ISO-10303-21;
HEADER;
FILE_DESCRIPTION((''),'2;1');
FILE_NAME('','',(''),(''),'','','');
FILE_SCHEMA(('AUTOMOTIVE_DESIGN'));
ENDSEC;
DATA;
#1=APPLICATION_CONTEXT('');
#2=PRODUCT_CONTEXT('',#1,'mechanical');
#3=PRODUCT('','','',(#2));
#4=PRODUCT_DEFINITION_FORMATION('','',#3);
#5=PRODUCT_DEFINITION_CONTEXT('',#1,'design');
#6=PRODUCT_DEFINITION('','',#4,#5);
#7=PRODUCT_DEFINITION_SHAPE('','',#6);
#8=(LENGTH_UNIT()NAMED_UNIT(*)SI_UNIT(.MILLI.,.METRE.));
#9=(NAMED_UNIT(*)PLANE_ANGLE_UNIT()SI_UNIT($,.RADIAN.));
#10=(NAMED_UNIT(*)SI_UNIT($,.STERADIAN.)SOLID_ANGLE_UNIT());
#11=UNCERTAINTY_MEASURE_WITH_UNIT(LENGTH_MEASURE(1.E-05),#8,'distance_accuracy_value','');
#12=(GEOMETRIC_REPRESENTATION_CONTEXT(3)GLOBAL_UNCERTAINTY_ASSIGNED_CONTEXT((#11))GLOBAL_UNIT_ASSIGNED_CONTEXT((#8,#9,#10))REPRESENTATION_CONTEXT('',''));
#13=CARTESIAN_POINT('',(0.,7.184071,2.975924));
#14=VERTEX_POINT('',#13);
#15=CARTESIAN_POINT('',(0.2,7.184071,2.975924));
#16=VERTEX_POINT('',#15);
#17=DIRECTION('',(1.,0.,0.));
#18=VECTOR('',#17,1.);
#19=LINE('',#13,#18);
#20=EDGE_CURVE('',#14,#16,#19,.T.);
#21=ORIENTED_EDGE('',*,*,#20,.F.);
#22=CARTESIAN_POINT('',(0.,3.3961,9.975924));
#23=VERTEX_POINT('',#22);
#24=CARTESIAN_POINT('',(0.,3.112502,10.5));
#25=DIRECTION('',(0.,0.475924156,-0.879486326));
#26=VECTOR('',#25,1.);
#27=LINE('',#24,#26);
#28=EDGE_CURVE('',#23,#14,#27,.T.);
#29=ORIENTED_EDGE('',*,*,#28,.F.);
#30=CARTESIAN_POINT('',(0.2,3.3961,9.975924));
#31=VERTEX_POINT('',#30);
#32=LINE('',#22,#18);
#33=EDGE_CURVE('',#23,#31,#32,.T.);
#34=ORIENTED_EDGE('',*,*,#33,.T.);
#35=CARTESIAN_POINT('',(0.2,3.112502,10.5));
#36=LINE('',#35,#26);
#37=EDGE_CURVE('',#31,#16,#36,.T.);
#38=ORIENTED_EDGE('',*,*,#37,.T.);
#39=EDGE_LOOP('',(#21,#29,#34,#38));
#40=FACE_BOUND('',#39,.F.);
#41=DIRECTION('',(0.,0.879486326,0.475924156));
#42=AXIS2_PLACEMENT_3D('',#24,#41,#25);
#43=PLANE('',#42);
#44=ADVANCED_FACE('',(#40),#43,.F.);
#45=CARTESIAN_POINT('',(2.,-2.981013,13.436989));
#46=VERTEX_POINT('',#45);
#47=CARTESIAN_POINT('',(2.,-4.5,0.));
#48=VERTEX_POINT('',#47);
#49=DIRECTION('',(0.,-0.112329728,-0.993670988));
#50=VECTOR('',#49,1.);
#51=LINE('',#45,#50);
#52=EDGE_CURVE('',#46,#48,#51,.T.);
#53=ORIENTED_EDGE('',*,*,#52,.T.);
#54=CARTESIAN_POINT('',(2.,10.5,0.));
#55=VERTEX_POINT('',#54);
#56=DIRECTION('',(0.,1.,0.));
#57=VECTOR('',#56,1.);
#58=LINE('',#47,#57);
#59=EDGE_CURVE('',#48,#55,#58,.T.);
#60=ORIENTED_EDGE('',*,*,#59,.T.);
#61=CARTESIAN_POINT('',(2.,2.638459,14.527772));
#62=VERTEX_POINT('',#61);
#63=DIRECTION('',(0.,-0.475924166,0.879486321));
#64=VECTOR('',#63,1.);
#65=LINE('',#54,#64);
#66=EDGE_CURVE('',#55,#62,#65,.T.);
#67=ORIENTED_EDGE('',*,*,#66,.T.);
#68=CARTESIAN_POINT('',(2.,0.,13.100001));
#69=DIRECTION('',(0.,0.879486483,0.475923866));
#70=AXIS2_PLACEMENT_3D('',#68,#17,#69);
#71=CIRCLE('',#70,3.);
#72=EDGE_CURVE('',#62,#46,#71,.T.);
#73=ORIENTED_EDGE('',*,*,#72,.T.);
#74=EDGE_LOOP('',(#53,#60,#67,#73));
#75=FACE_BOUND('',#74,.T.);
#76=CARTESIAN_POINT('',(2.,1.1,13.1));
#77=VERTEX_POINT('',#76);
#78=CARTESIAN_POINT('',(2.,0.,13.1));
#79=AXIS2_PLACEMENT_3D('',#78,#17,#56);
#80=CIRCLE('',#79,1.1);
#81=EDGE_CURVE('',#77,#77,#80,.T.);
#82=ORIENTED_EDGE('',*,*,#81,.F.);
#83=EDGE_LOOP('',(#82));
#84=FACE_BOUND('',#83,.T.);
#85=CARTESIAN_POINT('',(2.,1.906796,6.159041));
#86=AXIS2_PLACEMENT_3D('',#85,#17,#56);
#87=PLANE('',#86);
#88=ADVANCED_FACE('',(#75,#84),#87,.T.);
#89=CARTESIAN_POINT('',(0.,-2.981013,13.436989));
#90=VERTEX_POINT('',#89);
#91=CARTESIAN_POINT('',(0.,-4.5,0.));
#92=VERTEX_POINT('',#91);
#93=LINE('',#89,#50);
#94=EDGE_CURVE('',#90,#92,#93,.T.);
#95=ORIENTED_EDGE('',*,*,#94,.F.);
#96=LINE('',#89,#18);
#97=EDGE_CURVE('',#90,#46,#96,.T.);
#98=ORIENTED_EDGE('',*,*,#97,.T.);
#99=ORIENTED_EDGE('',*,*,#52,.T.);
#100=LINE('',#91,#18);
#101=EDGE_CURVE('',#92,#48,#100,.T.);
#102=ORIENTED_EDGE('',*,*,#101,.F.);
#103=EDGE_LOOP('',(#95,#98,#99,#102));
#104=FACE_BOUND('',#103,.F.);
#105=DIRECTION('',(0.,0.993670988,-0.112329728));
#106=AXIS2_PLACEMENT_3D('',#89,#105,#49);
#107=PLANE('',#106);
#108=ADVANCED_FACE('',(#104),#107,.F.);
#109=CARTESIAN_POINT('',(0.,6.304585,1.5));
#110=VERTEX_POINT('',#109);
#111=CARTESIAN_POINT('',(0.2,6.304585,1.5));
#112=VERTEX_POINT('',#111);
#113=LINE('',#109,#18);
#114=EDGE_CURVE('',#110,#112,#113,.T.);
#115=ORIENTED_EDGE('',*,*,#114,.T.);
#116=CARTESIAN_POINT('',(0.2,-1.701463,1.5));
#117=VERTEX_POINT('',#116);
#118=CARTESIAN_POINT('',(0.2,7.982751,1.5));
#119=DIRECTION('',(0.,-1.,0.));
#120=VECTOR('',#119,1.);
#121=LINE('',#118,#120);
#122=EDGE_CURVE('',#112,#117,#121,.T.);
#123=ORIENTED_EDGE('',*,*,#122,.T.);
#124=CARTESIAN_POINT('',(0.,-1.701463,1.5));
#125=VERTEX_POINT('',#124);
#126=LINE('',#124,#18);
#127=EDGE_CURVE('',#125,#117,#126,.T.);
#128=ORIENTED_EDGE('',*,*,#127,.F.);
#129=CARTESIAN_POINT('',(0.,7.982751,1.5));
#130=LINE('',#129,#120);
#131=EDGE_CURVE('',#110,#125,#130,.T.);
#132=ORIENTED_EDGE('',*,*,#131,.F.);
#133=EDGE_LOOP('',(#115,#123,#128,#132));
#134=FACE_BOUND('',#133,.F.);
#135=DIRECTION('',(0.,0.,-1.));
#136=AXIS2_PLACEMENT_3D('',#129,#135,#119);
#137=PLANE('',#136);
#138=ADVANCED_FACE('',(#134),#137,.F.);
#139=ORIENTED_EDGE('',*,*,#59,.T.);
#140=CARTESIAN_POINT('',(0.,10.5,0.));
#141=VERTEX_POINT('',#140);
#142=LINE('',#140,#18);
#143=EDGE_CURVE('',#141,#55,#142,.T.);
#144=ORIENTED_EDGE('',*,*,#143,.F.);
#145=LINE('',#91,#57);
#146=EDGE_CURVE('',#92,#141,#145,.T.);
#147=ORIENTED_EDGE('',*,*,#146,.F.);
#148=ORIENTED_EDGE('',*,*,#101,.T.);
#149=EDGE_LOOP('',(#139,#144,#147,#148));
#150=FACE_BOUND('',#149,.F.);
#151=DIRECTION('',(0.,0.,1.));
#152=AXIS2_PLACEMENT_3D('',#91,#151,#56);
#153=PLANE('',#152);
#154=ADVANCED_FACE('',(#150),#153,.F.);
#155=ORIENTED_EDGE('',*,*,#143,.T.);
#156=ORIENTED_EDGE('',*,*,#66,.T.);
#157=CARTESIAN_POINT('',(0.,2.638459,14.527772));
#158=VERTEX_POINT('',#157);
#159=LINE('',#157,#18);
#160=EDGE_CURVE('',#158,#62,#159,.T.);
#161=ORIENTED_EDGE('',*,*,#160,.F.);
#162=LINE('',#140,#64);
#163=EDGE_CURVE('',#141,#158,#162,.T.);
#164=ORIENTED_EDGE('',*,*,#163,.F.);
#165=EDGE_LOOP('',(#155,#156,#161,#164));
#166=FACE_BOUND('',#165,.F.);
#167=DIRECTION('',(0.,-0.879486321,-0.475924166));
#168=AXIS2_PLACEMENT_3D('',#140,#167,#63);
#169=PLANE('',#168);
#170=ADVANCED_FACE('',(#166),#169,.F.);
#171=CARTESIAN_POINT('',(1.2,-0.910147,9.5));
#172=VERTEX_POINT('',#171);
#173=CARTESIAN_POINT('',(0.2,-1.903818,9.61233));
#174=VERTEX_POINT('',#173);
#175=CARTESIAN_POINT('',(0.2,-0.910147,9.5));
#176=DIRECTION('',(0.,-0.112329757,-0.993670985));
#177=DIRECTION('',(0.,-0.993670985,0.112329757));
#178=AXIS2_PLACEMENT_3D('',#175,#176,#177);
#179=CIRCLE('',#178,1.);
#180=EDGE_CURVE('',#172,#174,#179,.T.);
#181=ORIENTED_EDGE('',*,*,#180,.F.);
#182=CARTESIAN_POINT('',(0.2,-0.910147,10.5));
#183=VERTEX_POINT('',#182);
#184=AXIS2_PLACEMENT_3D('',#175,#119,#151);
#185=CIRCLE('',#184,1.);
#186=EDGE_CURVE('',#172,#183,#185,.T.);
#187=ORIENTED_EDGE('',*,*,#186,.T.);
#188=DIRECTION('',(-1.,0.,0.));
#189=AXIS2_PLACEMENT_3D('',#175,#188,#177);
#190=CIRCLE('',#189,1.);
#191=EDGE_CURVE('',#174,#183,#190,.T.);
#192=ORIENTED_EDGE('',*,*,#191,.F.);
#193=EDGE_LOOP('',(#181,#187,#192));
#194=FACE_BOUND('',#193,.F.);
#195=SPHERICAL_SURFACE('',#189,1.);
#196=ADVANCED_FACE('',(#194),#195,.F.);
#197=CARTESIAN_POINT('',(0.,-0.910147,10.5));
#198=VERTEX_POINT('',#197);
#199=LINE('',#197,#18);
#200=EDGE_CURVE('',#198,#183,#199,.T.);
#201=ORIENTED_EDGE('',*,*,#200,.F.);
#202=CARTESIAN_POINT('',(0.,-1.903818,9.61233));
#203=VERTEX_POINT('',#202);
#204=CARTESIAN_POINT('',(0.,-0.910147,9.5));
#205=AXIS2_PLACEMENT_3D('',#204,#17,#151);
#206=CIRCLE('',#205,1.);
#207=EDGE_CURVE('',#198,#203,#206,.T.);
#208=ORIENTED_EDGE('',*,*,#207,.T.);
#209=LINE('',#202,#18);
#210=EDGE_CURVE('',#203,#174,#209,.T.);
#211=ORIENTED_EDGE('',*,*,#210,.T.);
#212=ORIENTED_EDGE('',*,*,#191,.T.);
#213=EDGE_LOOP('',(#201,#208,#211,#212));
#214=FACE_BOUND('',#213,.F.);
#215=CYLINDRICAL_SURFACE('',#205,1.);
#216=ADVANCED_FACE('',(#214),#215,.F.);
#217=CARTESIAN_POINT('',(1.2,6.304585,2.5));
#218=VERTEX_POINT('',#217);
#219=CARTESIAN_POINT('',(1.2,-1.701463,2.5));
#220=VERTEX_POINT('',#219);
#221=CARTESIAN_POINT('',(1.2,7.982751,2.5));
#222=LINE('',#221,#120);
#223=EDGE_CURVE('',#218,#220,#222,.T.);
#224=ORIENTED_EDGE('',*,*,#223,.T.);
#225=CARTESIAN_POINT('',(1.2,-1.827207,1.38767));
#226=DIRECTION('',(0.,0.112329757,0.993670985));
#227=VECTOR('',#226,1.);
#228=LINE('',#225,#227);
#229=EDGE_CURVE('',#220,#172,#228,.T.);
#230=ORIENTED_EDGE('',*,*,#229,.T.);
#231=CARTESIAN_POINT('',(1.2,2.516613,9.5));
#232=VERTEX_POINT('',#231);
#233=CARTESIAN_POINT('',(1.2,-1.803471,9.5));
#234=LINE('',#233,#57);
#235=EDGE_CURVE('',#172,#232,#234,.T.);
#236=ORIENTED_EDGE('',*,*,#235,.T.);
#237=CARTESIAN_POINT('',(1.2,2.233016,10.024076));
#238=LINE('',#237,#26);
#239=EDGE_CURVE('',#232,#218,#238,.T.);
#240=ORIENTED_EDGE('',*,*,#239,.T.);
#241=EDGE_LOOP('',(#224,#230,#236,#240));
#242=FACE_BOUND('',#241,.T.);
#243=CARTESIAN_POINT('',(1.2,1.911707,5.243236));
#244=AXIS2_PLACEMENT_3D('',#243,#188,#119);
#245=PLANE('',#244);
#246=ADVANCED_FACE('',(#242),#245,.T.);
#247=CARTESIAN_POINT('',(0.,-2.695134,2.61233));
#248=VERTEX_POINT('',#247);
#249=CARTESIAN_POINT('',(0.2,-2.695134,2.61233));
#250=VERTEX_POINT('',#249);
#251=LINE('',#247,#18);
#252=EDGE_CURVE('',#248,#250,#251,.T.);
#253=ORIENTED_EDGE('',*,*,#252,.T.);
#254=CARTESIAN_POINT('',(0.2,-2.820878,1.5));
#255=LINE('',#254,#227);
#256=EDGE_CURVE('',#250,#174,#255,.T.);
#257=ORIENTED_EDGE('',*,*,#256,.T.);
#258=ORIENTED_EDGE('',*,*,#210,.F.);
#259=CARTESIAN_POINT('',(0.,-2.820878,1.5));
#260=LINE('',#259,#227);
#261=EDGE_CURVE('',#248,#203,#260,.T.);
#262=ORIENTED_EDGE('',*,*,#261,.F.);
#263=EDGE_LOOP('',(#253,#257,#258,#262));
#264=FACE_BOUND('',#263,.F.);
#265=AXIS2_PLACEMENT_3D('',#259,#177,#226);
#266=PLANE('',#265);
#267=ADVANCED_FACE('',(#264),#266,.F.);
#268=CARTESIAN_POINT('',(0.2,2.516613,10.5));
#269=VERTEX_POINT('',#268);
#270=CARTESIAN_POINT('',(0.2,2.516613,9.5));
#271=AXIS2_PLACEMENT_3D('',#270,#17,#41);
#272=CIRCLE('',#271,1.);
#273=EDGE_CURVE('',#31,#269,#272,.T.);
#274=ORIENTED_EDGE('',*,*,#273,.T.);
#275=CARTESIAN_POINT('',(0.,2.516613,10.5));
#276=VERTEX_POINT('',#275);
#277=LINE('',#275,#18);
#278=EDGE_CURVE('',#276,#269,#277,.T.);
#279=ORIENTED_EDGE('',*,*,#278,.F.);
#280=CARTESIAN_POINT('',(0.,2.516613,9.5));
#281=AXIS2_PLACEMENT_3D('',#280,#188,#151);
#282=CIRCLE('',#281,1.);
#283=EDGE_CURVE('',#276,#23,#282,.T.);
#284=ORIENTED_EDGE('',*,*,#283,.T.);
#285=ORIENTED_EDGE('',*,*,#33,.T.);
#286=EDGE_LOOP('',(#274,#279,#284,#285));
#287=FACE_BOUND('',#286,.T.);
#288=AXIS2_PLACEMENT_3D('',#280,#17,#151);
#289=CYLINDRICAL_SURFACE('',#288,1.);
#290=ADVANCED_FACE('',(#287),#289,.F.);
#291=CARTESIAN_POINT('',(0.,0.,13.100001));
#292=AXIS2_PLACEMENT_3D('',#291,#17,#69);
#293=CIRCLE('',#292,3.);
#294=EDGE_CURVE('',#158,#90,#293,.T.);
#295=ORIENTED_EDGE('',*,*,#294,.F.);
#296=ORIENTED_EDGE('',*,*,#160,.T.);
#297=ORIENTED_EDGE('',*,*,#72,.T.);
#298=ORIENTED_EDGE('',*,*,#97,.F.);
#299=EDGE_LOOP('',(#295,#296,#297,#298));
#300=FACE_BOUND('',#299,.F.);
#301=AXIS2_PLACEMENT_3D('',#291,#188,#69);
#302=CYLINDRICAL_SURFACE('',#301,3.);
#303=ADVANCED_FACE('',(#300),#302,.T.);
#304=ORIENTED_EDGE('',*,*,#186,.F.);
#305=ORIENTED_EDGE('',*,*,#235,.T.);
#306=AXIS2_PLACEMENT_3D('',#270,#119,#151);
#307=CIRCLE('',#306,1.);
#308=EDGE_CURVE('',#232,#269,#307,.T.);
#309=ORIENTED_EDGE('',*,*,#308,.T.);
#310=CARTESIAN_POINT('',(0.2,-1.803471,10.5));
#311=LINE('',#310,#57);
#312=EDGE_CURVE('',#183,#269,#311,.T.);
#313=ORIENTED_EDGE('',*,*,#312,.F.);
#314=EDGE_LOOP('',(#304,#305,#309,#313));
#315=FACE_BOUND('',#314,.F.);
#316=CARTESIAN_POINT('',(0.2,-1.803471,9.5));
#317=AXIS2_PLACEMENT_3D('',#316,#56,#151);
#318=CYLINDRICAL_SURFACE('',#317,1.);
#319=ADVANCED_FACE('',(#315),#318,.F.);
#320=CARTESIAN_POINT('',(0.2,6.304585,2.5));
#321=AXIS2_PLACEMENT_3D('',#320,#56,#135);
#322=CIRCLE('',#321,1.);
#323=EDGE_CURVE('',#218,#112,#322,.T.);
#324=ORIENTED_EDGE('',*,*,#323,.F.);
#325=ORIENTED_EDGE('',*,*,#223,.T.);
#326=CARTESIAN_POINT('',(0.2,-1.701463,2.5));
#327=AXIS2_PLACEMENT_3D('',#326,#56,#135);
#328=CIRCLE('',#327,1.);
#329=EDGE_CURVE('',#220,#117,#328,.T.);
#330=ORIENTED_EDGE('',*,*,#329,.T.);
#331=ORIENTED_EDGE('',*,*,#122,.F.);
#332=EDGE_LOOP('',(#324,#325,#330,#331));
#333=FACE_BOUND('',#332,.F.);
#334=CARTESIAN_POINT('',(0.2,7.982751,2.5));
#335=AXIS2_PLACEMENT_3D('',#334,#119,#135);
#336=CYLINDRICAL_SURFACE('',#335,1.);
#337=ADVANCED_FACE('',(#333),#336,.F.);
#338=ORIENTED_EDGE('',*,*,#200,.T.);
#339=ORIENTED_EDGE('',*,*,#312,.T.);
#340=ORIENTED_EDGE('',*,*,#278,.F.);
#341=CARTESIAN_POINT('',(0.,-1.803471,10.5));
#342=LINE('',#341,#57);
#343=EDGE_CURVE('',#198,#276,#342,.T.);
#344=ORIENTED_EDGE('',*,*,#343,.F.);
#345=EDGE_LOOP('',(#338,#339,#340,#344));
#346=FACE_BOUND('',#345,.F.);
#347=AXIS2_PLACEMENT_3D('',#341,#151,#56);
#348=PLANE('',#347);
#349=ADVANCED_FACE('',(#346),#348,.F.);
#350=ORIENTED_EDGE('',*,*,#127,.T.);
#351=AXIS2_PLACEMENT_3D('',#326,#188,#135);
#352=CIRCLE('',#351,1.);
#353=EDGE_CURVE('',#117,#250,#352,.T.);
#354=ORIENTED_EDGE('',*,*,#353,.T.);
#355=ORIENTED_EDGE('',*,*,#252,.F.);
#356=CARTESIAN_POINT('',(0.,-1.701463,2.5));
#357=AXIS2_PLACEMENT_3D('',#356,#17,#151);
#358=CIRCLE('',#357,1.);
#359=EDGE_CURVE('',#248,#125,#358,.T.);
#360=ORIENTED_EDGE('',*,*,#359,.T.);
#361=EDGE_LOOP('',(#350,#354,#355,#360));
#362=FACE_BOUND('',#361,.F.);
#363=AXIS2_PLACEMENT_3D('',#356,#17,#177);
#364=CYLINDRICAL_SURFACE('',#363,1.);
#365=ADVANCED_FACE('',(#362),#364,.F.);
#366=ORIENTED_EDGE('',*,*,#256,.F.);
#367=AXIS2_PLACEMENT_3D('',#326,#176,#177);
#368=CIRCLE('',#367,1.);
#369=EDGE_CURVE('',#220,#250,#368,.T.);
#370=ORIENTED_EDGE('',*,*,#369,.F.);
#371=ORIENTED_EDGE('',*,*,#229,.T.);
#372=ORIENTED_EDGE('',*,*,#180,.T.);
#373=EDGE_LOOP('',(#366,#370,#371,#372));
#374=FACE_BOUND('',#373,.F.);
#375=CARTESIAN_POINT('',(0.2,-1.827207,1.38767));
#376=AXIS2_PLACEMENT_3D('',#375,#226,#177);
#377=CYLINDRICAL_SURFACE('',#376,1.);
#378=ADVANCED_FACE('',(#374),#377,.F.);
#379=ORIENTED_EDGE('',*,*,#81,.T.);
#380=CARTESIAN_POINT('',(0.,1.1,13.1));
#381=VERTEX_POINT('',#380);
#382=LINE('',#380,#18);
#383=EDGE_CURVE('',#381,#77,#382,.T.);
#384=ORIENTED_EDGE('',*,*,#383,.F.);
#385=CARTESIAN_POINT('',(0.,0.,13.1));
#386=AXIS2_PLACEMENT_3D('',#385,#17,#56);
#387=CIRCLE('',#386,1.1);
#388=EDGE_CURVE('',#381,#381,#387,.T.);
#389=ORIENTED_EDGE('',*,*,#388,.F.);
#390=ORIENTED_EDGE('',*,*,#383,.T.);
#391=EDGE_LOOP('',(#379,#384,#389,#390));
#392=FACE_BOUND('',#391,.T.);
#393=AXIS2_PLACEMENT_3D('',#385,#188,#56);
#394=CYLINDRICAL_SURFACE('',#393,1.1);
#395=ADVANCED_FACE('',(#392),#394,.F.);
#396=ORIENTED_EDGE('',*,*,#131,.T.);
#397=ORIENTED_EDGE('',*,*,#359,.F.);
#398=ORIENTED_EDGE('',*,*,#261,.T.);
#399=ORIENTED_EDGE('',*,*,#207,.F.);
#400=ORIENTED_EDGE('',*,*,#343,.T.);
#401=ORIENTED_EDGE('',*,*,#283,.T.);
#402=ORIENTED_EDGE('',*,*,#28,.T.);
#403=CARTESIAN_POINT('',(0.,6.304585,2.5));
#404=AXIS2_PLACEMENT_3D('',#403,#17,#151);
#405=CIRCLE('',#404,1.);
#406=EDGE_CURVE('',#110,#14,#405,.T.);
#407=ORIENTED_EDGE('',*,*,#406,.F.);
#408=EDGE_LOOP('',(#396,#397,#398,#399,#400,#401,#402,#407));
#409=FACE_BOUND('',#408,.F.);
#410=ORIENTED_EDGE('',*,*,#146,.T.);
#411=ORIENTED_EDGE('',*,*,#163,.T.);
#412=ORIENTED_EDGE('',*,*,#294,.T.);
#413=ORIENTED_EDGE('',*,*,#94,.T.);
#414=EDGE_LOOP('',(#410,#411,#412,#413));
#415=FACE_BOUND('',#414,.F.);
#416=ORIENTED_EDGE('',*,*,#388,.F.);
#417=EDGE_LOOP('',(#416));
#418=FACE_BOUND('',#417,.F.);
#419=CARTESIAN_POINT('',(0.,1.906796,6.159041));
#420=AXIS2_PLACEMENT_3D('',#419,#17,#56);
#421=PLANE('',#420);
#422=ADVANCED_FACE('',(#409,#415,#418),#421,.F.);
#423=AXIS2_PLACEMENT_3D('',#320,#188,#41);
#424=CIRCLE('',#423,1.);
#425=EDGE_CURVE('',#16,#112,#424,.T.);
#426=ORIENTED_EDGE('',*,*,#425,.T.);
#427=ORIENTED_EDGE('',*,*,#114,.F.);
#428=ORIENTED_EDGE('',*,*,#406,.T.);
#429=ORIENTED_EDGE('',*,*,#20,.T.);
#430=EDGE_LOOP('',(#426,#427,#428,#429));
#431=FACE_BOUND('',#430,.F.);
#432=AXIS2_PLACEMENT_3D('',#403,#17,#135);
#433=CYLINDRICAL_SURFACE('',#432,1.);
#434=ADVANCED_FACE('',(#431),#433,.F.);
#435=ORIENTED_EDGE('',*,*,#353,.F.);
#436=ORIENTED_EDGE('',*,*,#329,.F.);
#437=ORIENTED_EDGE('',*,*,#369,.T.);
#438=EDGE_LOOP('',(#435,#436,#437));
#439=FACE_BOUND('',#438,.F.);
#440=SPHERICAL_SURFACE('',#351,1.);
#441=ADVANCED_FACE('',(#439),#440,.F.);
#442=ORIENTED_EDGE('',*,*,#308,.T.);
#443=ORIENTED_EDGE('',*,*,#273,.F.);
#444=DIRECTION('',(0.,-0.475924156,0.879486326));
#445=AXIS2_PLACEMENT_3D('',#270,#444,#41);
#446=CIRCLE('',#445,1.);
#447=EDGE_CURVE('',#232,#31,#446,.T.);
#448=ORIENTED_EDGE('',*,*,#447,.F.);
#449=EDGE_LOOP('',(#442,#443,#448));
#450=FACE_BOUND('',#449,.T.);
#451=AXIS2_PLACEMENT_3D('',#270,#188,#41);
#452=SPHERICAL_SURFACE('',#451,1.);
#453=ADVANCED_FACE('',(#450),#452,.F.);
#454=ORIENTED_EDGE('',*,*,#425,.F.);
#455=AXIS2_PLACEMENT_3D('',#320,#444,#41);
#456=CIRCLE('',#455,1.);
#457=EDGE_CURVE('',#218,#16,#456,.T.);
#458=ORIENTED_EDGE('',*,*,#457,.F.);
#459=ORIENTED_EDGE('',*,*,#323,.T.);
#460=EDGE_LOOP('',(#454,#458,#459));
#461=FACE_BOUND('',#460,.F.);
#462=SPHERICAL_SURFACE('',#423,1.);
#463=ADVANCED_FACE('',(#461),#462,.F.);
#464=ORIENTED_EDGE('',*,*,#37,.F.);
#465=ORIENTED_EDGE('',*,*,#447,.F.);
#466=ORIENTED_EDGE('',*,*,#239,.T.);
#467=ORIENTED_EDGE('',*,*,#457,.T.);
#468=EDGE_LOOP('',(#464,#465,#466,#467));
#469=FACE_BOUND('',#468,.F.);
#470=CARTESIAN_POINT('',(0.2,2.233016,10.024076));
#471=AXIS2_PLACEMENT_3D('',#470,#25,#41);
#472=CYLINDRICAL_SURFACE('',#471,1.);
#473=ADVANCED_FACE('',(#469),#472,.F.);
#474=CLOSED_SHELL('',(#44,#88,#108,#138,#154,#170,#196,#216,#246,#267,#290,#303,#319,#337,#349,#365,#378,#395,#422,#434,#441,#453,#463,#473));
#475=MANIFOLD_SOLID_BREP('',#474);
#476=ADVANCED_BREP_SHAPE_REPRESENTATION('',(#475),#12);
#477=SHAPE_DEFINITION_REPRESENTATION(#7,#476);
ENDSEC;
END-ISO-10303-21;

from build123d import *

# Parameters (mm, degrees)
F0_R     = 1.1
F1_DEPTH = 2
F3_DEPTH = 1.2
F4_R     = 1


with BuildPart() as f1:
    # F0 (on Right) → F1 (new body)
    with BuildSketch(Plane.YZ):
        with BuildLine():
            Line((-4.5, 0), (10.5, 0))
            Line((10.5, 0), (2.638459, 14.527772))
            ThreePointArc((2.638459, 14.527772), (-0.571654, 16.045032), (-2.981013, 13.436989))
            Line((-2.981013, 13.436989), (-4.5, 0))
        make_face()
        with Locations((0, 13.1)):
            Circle(F0_R, mode=Mode.SUBTRACT)
    extrude(amount=F1_DEPTH)

    # F2 (on face) → F3 (cut)
    with BuildSketch(Plane(origin=(0, 0, 0), x_dir=(0, -1, 0), z_dir=(-1, 0, 0))):
        Polygon((-3.112502, 10.5), (-7.982751, 1.5), (2.820878, 1.5), (1.803471, 10.5), align=None)
    extrude(amount=-F3_DEPTH, mode=Mode.SUBTRACT)

    # F4
    f4_edges = [f1.edges().sort_by_distance(p)[0] for p in [
        (0.6, 3.112502, 10.5),
        (0.6, -1.803471, 10.5),
        (0.6, -2.820878, 1.5),
        (0.6, 7.982751, 1.5),
        (1.2, 5.547626, 6),
        (1.2, 2.580936, 1.5),
        (1.2, -2.312175, 6),
        (1.2, 0.654515, 10.5),
    ]]
    fillet(f4_edges, radius=F4_R)


solid = f1.part
